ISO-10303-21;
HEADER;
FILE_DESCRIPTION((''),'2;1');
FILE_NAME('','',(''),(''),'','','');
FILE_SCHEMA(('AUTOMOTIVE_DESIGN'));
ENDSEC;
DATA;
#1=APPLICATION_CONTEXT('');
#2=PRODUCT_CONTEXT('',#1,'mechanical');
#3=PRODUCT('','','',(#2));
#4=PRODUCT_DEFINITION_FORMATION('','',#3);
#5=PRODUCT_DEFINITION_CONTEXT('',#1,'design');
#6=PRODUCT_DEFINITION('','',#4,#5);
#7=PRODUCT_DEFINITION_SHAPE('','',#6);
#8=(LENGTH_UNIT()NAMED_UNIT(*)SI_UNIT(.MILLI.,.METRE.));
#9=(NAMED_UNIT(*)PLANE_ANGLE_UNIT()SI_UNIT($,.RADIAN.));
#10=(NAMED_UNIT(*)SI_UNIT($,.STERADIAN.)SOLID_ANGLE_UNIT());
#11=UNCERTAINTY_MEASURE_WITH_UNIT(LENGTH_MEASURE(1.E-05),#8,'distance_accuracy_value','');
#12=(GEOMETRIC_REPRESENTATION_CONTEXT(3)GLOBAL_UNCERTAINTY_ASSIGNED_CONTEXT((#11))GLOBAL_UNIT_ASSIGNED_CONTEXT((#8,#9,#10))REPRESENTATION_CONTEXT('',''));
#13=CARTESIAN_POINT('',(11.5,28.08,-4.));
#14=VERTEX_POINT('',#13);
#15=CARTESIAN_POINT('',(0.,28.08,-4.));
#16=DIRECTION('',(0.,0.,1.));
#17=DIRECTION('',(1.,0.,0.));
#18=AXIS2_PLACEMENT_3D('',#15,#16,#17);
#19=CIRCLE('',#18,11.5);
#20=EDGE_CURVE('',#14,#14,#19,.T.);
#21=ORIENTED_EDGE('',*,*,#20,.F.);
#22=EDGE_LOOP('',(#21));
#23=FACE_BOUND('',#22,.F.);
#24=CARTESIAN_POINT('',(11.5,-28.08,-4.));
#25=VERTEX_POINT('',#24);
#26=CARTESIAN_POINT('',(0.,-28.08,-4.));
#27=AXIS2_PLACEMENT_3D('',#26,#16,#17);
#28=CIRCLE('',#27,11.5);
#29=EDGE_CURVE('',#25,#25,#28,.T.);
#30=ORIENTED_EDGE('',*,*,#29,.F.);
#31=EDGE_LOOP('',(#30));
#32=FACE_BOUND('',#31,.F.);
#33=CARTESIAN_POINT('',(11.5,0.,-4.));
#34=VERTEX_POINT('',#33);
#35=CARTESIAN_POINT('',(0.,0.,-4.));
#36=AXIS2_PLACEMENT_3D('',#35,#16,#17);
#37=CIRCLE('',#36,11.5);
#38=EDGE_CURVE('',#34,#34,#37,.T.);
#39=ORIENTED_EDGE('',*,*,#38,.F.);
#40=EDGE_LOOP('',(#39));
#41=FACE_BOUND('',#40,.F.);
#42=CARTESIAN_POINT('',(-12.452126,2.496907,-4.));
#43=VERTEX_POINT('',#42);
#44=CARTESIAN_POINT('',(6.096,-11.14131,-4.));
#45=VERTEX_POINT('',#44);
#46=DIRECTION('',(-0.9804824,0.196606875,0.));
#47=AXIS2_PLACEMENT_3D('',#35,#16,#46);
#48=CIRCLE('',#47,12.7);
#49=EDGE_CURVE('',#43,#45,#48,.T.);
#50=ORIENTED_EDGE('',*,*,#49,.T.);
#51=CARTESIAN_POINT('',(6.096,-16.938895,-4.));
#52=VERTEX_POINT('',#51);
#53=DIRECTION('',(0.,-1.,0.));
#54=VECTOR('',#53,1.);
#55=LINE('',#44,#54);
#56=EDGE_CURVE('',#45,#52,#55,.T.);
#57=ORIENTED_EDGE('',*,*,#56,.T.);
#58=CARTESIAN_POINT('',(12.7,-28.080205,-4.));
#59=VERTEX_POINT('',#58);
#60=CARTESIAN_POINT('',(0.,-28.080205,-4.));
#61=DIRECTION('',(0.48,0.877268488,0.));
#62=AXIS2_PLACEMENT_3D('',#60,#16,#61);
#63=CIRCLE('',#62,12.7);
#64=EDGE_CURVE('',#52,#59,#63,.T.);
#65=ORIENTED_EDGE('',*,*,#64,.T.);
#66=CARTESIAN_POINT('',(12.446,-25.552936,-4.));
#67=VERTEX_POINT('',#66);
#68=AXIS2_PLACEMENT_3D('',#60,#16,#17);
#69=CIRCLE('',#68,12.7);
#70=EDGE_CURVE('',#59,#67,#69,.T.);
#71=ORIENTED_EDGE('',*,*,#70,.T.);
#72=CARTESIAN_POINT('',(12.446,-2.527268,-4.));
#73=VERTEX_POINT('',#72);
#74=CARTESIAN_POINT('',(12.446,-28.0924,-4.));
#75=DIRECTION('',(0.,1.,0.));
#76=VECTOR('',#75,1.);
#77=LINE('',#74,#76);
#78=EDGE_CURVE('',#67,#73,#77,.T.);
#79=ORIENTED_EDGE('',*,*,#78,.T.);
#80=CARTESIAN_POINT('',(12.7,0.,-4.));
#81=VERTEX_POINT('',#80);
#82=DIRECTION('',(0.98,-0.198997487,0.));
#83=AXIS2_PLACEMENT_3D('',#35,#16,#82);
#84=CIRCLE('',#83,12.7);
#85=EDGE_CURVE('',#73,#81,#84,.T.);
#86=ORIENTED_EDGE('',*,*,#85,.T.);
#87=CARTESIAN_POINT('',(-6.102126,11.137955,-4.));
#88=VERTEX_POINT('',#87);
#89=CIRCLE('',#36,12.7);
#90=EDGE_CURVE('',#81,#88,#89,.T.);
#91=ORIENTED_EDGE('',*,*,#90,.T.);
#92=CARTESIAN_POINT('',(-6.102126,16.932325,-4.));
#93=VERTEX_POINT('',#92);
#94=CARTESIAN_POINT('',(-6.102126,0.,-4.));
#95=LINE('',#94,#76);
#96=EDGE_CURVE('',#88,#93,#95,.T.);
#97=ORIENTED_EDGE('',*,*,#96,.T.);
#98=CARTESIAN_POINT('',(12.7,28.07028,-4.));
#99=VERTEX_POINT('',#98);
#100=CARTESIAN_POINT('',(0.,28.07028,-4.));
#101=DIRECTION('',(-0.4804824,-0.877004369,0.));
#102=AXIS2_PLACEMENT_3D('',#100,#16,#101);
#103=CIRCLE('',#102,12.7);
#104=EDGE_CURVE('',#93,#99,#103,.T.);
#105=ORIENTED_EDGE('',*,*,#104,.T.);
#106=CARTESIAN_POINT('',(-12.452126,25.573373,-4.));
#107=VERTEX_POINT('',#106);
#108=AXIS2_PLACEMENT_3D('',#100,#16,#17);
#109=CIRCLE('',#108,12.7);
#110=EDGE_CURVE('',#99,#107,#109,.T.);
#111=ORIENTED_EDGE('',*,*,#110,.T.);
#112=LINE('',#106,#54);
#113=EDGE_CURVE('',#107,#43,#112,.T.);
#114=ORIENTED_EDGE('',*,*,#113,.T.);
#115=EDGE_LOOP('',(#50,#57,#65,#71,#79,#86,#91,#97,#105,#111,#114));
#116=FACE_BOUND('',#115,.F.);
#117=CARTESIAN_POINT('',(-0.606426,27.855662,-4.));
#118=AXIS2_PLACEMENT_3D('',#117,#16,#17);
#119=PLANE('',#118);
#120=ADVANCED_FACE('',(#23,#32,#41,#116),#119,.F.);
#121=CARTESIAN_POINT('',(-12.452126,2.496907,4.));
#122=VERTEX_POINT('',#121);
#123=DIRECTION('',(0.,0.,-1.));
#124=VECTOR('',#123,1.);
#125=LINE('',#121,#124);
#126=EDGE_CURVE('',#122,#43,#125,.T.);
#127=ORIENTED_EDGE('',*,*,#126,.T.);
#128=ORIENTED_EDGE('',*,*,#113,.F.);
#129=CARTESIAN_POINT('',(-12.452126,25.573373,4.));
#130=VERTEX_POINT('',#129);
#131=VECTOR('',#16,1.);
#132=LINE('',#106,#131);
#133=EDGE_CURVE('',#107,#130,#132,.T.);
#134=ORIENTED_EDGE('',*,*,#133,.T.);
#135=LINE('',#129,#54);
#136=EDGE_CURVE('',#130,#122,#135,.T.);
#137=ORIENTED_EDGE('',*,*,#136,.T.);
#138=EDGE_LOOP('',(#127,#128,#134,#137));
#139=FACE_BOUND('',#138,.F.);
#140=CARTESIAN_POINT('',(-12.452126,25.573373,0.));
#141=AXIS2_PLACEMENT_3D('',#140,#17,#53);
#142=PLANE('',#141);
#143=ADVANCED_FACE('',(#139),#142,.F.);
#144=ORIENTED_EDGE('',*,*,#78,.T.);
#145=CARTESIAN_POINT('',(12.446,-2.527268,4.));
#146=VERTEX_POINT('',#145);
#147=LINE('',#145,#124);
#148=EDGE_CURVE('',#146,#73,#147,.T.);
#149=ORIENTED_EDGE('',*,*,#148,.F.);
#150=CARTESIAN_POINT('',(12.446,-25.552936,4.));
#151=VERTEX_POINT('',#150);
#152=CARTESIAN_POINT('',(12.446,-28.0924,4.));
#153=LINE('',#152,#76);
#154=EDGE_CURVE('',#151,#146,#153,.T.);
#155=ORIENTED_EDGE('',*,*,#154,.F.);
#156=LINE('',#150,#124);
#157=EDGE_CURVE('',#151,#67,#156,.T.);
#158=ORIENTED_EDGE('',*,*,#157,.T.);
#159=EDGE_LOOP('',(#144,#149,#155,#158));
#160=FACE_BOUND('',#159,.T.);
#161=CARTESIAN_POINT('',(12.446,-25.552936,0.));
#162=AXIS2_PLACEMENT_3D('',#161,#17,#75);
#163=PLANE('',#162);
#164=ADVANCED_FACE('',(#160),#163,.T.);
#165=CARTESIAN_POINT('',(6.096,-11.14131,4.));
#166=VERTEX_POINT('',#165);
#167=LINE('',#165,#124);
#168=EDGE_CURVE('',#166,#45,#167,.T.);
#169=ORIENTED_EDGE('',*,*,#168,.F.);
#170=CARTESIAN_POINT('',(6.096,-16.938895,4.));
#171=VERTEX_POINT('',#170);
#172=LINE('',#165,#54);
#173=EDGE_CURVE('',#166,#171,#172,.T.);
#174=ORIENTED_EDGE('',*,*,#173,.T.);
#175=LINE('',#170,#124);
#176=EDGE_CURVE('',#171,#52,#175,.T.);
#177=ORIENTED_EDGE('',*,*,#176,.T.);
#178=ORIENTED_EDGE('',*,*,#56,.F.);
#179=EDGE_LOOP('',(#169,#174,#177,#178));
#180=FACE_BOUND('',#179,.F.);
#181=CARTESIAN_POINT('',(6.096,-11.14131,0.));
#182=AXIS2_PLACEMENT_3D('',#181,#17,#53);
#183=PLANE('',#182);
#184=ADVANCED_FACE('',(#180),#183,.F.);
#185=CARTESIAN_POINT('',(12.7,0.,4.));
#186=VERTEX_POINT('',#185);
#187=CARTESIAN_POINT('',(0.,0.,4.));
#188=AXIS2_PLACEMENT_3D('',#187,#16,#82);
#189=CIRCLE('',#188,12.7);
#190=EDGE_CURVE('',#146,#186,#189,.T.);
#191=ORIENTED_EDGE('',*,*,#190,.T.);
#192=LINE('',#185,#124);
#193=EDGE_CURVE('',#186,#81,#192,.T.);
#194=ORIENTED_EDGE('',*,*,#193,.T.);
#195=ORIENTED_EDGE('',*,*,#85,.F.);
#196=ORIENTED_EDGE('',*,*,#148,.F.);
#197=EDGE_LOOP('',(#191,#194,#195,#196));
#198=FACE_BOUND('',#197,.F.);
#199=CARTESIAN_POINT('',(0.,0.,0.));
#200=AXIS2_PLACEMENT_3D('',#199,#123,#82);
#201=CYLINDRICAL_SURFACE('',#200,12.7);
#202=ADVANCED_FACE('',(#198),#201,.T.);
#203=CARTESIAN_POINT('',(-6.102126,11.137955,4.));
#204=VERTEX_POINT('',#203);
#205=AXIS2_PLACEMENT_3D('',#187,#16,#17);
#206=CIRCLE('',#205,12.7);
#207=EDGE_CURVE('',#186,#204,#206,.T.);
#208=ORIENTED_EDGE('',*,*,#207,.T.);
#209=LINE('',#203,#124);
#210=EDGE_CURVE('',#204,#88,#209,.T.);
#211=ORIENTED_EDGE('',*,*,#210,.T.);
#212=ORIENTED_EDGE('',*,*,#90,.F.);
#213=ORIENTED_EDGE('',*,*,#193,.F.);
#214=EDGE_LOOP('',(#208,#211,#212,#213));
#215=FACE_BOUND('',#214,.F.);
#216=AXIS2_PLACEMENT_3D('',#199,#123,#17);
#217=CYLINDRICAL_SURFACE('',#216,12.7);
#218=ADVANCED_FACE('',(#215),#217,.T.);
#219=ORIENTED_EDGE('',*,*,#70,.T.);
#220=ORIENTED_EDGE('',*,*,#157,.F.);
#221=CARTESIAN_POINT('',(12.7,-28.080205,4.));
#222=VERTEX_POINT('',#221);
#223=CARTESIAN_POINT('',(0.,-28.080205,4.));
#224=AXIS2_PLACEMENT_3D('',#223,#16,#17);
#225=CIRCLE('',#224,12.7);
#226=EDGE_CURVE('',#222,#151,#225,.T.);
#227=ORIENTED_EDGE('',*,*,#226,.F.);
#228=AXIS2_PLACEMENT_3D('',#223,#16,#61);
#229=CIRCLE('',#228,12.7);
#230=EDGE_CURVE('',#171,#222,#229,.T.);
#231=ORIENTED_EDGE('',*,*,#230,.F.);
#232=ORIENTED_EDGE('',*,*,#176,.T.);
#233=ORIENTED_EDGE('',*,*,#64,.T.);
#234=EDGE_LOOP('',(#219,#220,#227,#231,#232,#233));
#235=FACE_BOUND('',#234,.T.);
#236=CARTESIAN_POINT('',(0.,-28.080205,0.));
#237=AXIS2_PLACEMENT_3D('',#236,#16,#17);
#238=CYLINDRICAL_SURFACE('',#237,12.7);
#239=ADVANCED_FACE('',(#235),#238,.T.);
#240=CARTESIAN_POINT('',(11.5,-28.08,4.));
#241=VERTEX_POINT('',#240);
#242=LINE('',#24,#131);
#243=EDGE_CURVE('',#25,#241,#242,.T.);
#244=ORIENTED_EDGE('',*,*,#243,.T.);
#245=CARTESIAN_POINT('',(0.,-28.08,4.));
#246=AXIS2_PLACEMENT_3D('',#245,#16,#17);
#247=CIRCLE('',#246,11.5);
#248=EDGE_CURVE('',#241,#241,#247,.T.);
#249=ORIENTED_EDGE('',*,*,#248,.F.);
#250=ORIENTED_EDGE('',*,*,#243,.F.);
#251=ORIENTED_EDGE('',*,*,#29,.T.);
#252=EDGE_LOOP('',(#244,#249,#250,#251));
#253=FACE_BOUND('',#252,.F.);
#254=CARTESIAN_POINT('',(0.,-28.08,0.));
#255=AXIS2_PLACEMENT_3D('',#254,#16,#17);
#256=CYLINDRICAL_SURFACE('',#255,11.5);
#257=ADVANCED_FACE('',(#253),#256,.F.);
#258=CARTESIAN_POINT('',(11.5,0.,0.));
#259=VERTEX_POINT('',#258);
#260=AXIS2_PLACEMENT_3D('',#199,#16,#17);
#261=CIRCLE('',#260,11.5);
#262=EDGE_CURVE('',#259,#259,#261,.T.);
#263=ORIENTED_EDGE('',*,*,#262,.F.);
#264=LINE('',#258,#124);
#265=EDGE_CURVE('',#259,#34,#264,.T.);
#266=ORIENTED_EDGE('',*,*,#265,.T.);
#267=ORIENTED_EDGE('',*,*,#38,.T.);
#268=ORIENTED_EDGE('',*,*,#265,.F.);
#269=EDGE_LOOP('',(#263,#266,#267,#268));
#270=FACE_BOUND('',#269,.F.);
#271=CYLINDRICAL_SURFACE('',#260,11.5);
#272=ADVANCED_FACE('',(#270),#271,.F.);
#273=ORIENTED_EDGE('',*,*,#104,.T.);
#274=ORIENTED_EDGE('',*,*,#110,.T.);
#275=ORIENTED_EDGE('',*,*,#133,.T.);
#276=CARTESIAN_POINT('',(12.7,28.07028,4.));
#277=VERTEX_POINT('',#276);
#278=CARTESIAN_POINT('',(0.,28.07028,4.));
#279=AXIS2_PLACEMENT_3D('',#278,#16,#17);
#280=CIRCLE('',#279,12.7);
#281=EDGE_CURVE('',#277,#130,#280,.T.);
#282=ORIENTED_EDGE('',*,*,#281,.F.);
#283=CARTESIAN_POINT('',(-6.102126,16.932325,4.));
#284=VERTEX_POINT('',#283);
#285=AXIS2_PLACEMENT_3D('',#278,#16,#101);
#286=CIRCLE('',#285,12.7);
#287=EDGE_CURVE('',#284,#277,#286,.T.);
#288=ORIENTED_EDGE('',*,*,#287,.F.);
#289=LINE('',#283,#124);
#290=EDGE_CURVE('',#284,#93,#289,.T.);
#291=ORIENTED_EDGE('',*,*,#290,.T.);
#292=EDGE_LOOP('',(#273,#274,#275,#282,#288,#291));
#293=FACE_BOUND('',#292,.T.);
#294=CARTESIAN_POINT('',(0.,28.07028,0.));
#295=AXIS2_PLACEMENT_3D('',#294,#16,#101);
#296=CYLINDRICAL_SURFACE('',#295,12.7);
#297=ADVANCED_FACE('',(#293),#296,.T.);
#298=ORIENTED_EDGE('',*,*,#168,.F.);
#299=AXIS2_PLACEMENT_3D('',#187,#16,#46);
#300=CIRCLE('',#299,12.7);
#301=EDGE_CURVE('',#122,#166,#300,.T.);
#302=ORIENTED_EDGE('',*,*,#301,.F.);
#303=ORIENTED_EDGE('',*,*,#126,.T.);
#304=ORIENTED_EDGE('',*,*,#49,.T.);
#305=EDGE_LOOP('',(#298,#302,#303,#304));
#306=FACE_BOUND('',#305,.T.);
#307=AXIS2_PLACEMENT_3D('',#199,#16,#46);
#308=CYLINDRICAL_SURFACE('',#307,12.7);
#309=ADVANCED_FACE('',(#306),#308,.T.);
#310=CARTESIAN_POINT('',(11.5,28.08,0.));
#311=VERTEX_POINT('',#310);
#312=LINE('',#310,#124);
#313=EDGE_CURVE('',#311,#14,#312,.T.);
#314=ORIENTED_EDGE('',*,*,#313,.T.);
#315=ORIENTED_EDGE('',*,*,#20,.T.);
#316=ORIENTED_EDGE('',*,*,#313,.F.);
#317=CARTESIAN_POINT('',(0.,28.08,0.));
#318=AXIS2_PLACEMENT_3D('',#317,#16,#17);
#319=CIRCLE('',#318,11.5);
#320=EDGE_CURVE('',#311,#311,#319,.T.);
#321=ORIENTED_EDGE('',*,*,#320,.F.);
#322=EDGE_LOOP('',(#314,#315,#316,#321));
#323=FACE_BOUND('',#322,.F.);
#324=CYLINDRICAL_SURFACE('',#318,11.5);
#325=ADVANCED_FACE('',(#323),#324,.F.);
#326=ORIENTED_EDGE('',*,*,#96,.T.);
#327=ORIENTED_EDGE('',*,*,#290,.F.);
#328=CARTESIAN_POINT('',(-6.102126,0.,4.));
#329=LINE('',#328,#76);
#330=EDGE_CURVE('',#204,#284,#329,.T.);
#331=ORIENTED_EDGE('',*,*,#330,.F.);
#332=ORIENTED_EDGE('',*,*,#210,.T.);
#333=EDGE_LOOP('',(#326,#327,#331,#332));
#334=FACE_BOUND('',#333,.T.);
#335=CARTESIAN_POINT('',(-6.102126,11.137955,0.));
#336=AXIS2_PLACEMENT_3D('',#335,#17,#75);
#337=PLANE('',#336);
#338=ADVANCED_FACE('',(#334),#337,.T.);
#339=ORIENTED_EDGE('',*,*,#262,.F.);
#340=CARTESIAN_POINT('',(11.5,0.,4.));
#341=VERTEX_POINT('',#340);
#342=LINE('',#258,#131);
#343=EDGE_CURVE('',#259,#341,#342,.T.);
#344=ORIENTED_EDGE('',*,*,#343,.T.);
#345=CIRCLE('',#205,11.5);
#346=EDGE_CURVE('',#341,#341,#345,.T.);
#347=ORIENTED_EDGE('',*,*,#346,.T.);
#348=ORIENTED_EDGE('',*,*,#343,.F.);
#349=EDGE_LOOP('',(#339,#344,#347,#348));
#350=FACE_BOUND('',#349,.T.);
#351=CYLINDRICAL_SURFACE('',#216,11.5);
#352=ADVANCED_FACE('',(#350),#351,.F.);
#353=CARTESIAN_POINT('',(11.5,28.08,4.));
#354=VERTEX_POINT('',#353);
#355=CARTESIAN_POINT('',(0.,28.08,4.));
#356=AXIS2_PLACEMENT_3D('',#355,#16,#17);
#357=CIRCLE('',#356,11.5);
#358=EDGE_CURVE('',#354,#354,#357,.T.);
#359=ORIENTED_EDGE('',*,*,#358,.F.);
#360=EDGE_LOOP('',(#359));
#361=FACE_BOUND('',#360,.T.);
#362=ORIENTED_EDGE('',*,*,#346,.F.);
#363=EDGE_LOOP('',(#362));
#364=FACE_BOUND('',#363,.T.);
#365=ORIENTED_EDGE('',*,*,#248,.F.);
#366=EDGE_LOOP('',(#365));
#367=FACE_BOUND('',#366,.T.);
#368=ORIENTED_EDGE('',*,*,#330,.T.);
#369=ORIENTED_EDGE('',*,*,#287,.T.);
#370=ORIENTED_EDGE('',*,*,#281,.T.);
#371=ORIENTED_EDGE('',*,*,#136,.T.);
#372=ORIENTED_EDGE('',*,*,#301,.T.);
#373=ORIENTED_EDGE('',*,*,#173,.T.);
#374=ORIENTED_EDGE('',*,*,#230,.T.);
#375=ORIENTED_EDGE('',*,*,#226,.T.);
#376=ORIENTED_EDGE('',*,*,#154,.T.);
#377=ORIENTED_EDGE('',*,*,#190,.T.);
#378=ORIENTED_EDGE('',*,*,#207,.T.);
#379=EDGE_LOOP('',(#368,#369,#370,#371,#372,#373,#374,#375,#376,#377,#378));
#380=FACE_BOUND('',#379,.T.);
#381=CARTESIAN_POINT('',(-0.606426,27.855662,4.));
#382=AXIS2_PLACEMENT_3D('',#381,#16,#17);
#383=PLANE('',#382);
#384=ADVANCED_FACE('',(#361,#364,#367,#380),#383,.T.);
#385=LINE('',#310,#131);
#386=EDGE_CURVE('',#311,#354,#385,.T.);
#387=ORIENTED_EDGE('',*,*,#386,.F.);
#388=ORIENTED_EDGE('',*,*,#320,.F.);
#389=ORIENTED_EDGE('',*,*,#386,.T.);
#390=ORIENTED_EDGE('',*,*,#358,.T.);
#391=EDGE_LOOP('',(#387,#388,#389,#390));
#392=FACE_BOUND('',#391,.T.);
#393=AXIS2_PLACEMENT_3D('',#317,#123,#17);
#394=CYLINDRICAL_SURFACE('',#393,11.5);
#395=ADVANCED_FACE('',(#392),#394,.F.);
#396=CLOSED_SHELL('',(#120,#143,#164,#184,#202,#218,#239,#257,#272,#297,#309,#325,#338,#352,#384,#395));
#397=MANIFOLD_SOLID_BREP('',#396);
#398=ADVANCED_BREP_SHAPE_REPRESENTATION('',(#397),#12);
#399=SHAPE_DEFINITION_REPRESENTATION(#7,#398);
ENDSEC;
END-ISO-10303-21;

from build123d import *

# Parameters (mm, degrees)
F2_DEPTH = 4
F0_R     = 11.5
F3_DEPTH = 4


with BuildPart() as f2:
    # F1 (on Top) → F2 (new body, symmetric)
    with BuildSketch(Plane.XY):
        with BuildLine():
            Line((-12.4521264806, 25.5733730193), (-12.4521264806, 28.0924))
            Line((-12.4521264806, 28.0924), (-6.1021264806, 28.0924))
            Line((-6.1021264806, 28.0924), (-6.1021264806, 16.9323248421))
            ThreePointArc((-6.1021264806, 16.9323248421), (6.472750331, 17.143546912), (12.7, 28.0702803284))
            ThreePointArc((12.7, 28.0702803284), (-1.2545903108, 40.7081600221), (-12.4521264806, 25.5733730193))
        make_face()
        with BuildLine():
            Line((-6.1021264806, 28.0924), (-12.4521264806, 28.0924))
            Line((-12.4521264806, 28.0924), (-12.4521264806, 25.5733730193))
            ThreePointArc((-12.4521264806, 25.5733730193), (-10.2338655521, 20.5497753013), (-6.1021264806, 16.9323248421))
            Line((-6.1021264806, 16.9323248421), (-6.1021264806, 28.0924))
        make_face()
        with BuildLine():
            ThreePointArc((-6.1021264806, 16.9323248421), (-10.2338655521, 20.5497753013), (-12.4521264806, 25.5733730193))
            Line((-12.4521264806, 25.5733730193), (-12.4521264806, 2.4969073091))
            ThreePointArc((-12.4521264806, 2.4969073091), (-10.2338655521, 7.5205050271), (-6.1021264806, 11.1379554863))
            Line((-6.1021264806, 11.1379554863), (-6.1021264806, 16.9323248421))
        make_face()
        with BuildLine():
            ThreePointArc((-6.1021264806, 11.1379554863), (-10.2338655521, 7.5205050271), (-12.4521264806, 2.4969073091))
            Line((-12.4521264806, 2.4969073091), (-12.4521264806, 0))
            Line((-12.4521264806, 0), (-6.1021264806, 0))
            Line((-6.1021264806, 0), (-6.1021264806, 11.1379554863))
        make_face()
        with BuildLine():
            Line((-12.4521264806, 0), (-12.4521264806, 2.4969073091))
            ThreePointArc((-12.4521264806, 2.4969073091), (-7.5233189099, -10.2317971335), (6.096, -11.1413097973))
            Line((6.096, -11.1413097973), (6.096, 0))
            Line((6.096, 0), (12.446, 0))
            Line((12.446, 0), (12.446, -2.5272680903))
            ThreePointArc((12.446, -2.5272680903), (12.6363404513, -1.27), (12.7, 0))
            ThreePointArc((12.7, 0), (6.472750331, 10.9267334164), (-6.1021264806, 11.1379554863))
            Line((-6.1021264806, 11.1379554863), (-6.1021264806, 0))
            Line((-6.1021264806, 0), (-12.4521264806, 0))
        make_face()
        with BuildLine():
            ThreePointArc((12.446, -2.5272680903), (10.2226155965, -7.535789963), (6.096, -11.1413097973))
            Line((6.096, -11.1413097973), (6.096, -16.9388947044))
            ThreePointArc((6.096, -16.9388947044), (10.2226155965, -20.5444145387), (12.446, -25.5529364115))
            Line((12.446, -25.5529364115), (12.446, -2.5272680903))
        make_face()
        with BuildLine():
            Line((6.096, 0), (6.096, -11.1413097973))
            ThreePointArc((6.096, -11.1413097973), (10.2226155965, -7.535789963), (12.446, -2.5272680903))
            Line((12.446, -2.5272680903), (12.446, 0))
            Line((12.446, 0), (6.096, 0))
        make_face()
        with BuildLine():
            ThreePointArc((12.446, -25.5529364115), (10.2226155965, -20.5444145387), (6.096, -16.9388947044))
            Line((6.096, -16.9388947044), (6.096, -28.0924))
            Line((6.096, -28.0924), (12.446, -28.0924))
            Line((12.446, -28.0924), (12.446, -25.5529364115))
        make_face()
        with BuildLine():
            Line((6.096, -28.0924), (6.096, -16.9388947044))
            ThreePointArc((6.096, -16.9388947044), (-10.9249530891, -34.555959284), (12.7, -28.0802045017))
            ThreePointArc((12.7, -28.0802045017), (12.6363404513, -26.8102045017), (12.446, -25.5529364115))
            Line((12.446, -25.5529364115), (12.446, -28.0924))
            Line((12.446, -28.0924), (6.096, -28.0924))
        make_face()
    extrude(amount=F2_DEPTH, both=True)

    # F0 (on Top) → F3 (cut, symmetric)
    with BuildSketch(Plane.XY):
        Circle(F0_R)
        with Locations((0, 28.08)):
            Circle(F0_R)
        with Locations((0, -28.08)):
            Circle(F0_R)
    extrude(amount=F3_DEPTH, both=True, mode=Mode.SUBTRACT)


solid = f2.part
